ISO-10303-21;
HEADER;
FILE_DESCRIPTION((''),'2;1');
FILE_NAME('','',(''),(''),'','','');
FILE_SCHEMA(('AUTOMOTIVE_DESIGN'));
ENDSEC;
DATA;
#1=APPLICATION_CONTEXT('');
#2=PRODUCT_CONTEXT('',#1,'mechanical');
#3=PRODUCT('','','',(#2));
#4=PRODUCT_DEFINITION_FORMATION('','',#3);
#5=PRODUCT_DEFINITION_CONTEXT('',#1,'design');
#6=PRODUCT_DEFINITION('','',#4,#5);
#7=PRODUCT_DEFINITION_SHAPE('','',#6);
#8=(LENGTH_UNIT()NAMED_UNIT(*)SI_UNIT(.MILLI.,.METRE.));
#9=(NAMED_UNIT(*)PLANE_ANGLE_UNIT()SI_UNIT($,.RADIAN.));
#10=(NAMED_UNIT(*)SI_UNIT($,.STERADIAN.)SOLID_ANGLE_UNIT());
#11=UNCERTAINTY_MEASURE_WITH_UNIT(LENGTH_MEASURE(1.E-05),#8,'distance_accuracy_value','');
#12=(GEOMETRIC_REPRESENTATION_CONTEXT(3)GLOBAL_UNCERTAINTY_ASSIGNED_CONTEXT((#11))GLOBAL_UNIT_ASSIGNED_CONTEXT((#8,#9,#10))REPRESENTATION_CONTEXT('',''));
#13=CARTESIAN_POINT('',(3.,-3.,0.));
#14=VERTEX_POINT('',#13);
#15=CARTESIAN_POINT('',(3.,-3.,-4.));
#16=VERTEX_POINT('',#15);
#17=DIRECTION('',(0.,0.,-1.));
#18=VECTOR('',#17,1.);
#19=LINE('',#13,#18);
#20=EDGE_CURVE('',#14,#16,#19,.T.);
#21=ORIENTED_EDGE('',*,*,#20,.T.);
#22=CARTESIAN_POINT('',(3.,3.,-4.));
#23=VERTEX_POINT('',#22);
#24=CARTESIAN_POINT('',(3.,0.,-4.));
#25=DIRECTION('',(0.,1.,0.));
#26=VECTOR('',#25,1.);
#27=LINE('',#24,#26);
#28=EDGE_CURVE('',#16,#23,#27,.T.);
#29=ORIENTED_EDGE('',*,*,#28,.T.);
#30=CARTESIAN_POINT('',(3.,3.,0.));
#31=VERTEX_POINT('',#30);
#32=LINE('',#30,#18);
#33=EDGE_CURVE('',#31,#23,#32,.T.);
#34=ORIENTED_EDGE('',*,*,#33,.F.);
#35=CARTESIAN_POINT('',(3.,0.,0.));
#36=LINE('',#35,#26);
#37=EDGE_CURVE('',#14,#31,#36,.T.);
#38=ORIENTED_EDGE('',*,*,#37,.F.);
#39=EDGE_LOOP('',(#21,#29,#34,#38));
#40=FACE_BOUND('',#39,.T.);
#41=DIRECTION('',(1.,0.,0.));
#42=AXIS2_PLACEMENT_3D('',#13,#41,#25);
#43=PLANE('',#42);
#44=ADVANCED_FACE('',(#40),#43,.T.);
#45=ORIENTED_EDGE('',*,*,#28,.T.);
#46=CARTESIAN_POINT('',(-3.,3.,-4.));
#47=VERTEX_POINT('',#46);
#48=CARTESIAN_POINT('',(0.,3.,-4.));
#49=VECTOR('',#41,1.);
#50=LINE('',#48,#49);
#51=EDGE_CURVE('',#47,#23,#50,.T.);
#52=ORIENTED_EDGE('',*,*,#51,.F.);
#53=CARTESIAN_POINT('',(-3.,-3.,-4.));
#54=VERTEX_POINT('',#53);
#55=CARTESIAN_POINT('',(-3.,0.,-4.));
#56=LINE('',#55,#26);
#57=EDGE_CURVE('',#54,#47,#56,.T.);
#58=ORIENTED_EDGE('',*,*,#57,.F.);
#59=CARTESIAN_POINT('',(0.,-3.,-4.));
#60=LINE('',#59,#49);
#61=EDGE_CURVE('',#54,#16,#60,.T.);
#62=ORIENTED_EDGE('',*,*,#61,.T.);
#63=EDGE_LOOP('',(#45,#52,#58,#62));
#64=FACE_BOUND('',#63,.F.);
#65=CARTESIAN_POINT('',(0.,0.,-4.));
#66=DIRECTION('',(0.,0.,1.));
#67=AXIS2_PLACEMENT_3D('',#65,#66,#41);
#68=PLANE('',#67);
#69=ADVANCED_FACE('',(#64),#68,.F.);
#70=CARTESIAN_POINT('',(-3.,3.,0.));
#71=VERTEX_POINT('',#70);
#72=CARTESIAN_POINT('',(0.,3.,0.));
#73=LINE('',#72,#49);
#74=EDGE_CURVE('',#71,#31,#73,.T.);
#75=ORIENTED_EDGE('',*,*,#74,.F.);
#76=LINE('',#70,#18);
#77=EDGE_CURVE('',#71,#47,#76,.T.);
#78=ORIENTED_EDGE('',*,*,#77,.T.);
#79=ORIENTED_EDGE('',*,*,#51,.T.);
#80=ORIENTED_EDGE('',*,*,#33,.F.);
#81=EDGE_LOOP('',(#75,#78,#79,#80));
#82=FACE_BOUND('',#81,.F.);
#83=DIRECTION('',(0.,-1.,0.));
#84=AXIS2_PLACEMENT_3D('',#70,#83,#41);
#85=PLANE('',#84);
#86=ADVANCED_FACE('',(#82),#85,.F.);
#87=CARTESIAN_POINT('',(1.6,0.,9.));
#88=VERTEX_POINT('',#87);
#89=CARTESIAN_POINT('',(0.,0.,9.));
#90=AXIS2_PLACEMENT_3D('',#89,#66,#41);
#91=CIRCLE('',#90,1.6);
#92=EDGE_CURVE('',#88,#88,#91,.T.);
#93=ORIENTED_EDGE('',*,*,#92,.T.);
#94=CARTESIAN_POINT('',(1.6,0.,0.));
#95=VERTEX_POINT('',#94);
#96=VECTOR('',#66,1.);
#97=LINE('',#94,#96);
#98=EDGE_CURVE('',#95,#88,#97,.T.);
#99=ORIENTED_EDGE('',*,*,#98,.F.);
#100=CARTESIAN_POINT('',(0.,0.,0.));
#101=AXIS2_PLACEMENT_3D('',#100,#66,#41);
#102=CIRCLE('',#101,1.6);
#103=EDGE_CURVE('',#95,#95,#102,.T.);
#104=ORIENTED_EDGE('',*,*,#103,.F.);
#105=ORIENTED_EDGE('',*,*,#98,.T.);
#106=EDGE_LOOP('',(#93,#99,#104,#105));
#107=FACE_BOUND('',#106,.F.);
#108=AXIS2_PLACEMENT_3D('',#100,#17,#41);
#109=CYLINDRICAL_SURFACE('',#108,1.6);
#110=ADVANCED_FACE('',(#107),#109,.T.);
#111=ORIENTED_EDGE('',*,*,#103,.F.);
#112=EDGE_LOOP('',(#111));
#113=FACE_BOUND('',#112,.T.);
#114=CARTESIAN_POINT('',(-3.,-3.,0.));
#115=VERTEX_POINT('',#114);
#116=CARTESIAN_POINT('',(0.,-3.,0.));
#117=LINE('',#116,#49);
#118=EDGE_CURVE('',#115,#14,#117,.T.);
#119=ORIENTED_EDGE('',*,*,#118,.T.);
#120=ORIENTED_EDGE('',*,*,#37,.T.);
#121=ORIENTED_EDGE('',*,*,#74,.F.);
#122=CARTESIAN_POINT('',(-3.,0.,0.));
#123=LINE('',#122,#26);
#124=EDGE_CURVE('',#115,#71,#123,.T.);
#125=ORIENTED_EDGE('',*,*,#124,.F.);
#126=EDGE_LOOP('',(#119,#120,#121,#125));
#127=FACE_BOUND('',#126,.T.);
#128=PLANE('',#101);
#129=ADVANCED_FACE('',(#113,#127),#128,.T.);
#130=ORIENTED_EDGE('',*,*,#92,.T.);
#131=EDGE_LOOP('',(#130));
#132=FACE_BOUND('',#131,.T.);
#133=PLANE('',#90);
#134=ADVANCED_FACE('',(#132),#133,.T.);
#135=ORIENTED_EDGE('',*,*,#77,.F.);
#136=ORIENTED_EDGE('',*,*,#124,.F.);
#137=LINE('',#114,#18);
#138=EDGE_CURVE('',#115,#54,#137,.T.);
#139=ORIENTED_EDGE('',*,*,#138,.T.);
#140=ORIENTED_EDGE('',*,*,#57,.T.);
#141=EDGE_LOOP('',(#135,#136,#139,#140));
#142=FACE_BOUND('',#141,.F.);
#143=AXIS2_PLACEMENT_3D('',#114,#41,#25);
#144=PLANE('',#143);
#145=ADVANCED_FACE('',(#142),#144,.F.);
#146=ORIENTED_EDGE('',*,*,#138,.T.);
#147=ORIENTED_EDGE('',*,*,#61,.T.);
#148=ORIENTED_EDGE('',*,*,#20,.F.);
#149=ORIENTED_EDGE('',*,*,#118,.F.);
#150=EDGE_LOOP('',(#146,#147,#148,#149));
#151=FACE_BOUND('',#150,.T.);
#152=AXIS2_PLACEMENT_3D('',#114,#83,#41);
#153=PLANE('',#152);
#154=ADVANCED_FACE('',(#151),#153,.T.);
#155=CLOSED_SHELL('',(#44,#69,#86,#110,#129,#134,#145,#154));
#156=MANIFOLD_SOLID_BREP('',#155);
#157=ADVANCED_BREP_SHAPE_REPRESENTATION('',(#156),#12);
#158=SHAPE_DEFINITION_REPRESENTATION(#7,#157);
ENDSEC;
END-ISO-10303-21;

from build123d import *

# Parameters (mm, degrees)
F0_W     = 6
F0_H     = 6
F0_R     = 1.6
F1_DEPTH = 4
F2_DEPTH = 9


with BuildPart() as f1:
    # F0 (on Top) → F1 (new body)
    with BuildSketch(Plane.XY):
        Rectangle(F0_W, F0_H)
        Circle(F0_R, mode=Mode.SUBTRACT)
        Circle(F0_R)
    extrude(amount=-F1_DEPTH)

    # F0 (on Top) → F2 (join)
    with BuildSketch(Plane.XY):
        Circle(F0_R)
    extrude(amount=F2_DEPTH)


solid = f1.part
